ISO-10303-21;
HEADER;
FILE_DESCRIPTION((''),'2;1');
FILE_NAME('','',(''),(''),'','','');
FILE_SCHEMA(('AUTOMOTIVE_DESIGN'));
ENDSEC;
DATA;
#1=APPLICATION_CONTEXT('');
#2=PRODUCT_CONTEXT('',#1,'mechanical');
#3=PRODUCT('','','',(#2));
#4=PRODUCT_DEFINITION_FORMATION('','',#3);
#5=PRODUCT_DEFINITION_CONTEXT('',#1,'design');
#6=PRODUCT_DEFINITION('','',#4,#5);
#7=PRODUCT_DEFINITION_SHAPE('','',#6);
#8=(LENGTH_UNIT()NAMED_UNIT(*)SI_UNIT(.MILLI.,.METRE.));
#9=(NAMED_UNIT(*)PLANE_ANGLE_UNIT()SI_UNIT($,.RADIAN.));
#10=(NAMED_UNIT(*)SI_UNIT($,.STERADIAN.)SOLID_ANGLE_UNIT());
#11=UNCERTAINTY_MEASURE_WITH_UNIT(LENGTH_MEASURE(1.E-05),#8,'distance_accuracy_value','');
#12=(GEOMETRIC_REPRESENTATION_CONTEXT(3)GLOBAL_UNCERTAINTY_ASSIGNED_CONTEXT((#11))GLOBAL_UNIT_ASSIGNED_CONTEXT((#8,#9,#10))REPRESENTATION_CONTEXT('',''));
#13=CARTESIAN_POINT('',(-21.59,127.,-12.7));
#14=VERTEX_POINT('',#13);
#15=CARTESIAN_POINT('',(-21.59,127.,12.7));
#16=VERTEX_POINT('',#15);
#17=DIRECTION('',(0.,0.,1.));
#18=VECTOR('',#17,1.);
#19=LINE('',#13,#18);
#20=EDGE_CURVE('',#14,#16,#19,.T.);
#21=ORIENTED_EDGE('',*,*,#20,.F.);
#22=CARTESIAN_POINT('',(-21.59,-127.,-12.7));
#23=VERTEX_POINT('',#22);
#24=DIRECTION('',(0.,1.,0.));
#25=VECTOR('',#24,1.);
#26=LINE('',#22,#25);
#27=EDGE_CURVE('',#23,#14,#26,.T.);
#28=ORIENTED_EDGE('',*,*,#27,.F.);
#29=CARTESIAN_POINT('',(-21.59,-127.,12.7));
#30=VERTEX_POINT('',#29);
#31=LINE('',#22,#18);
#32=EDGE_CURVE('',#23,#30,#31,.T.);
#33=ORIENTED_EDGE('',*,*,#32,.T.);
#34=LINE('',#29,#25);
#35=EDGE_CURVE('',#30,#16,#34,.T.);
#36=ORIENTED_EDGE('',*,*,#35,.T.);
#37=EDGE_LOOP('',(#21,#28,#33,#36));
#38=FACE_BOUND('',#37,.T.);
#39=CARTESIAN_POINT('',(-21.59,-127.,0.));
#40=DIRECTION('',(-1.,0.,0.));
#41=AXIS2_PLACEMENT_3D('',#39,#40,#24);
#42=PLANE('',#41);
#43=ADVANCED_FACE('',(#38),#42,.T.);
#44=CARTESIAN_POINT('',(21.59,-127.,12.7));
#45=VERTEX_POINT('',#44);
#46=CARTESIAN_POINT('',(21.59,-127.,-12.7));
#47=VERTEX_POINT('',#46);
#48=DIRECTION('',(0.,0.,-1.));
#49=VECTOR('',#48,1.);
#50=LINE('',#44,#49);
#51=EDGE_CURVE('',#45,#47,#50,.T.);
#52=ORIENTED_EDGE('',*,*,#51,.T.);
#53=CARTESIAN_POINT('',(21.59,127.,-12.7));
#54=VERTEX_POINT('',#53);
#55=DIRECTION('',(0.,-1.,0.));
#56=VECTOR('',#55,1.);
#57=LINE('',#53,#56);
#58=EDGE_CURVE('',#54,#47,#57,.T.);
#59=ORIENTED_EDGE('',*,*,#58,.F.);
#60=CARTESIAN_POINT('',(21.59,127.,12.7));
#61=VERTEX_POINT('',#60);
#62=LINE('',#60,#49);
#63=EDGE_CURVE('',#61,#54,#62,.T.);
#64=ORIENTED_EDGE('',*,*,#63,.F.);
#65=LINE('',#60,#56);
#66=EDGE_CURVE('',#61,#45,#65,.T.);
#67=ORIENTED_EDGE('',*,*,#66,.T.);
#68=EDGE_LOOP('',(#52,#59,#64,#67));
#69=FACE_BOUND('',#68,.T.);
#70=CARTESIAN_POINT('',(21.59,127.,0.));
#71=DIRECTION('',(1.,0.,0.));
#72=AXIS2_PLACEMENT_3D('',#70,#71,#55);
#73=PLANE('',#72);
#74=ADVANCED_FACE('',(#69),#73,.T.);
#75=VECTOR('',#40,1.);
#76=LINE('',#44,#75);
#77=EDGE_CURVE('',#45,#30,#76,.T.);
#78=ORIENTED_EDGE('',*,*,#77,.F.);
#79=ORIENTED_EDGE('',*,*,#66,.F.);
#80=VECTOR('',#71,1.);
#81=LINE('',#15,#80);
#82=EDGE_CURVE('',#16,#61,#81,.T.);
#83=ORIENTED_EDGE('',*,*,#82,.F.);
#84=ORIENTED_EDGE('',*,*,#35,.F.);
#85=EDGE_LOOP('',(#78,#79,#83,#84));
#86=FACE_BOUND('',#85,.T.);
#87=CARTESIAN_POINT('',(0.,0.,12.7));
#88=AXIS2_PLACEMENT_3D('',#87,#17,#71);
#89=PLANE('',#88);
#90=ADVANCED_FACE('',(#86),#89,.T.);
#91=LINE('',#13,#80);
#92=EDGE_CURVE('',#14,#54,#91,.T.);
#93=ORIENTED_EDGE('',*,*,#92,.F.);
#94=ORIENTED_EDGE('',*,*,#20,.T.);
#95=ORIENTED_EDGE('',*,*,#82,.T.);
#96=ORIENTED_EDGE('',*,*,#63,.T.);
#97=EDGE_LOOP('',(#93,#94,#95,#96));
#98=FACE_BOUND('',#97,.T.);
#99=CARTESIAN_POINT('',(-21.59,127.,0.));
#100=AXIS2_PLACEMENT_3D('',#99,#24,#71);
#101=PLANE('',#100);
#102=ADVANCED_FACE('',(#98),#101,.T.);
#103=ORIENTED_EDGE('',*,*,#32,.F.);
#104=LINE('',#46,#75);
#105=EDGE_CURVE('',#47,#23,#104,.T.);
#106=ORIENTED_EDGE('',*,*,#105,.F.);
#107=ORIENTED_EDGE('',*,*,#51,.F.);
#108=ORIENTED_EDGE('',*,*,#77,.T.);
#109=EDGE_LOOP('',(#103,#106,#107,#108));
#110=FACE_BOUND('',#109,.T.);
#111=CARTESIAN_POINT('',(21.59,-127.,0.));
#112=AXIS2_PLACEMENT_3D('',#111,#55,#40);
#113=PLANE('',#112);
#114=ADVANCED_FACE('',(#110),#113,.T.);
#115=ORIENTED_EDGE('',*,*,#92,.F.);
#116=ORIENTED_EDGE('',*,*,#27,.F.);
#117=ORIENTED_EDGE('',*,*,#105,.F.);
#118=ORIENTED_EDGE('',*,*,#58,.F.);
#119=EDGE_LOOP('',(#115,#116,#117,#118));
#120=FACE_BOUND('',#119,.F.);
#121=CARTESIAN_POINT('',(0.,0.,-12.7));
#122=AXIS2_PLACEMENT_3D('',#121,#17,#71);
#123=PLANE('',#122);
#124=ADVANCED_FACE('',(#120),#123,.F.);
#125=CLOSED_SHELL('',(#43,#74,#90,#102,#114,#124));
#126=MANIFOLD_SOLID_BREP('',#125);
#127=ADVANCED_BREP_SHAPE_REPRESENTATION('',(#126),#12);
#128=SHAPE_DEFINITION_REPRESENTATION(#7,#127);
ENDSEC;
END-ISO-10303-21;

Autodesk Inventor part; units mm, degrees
ref_plane "YZ Plane" through (0, 0, 0) normal (1, 0, 0) x (0, 1, 0)
ref_plane "XZ Plane" through (0, 0, 0) normal (0, 1, 0) x (-1, 0, 0)
ref_plane "XY Plane" through (0, 0, 0) normal (0, 0, 1) x (1, 0, 0)
sketch "Sketch2" plane through (0, 0, 0) normal (0, 0, 1) x (1, 0, 0)
  line L0 (-21.59, 127) -> (21.59, 127)
  line L1 (21.59, 127) -> (21.59, -127)
  line L2 (21.59, -127) -> (-21.59, -127)
  line L3 (-21.59, -127) -> (-21.59, 127)
  line L4 (-21.59, 127) -> (21.59, -127) construction
  line L5 (21.59, 127) -> (-21.59, -127) construction
  point P0 (0, 0)
  dimension "d0" = 43.18
  dimension "d1" = 254
extrude "Extrusion1" add sketch "Sketch2" along normal mid plane 25.4
properties part number "CNC-Z-axis- linear drawer slider"
